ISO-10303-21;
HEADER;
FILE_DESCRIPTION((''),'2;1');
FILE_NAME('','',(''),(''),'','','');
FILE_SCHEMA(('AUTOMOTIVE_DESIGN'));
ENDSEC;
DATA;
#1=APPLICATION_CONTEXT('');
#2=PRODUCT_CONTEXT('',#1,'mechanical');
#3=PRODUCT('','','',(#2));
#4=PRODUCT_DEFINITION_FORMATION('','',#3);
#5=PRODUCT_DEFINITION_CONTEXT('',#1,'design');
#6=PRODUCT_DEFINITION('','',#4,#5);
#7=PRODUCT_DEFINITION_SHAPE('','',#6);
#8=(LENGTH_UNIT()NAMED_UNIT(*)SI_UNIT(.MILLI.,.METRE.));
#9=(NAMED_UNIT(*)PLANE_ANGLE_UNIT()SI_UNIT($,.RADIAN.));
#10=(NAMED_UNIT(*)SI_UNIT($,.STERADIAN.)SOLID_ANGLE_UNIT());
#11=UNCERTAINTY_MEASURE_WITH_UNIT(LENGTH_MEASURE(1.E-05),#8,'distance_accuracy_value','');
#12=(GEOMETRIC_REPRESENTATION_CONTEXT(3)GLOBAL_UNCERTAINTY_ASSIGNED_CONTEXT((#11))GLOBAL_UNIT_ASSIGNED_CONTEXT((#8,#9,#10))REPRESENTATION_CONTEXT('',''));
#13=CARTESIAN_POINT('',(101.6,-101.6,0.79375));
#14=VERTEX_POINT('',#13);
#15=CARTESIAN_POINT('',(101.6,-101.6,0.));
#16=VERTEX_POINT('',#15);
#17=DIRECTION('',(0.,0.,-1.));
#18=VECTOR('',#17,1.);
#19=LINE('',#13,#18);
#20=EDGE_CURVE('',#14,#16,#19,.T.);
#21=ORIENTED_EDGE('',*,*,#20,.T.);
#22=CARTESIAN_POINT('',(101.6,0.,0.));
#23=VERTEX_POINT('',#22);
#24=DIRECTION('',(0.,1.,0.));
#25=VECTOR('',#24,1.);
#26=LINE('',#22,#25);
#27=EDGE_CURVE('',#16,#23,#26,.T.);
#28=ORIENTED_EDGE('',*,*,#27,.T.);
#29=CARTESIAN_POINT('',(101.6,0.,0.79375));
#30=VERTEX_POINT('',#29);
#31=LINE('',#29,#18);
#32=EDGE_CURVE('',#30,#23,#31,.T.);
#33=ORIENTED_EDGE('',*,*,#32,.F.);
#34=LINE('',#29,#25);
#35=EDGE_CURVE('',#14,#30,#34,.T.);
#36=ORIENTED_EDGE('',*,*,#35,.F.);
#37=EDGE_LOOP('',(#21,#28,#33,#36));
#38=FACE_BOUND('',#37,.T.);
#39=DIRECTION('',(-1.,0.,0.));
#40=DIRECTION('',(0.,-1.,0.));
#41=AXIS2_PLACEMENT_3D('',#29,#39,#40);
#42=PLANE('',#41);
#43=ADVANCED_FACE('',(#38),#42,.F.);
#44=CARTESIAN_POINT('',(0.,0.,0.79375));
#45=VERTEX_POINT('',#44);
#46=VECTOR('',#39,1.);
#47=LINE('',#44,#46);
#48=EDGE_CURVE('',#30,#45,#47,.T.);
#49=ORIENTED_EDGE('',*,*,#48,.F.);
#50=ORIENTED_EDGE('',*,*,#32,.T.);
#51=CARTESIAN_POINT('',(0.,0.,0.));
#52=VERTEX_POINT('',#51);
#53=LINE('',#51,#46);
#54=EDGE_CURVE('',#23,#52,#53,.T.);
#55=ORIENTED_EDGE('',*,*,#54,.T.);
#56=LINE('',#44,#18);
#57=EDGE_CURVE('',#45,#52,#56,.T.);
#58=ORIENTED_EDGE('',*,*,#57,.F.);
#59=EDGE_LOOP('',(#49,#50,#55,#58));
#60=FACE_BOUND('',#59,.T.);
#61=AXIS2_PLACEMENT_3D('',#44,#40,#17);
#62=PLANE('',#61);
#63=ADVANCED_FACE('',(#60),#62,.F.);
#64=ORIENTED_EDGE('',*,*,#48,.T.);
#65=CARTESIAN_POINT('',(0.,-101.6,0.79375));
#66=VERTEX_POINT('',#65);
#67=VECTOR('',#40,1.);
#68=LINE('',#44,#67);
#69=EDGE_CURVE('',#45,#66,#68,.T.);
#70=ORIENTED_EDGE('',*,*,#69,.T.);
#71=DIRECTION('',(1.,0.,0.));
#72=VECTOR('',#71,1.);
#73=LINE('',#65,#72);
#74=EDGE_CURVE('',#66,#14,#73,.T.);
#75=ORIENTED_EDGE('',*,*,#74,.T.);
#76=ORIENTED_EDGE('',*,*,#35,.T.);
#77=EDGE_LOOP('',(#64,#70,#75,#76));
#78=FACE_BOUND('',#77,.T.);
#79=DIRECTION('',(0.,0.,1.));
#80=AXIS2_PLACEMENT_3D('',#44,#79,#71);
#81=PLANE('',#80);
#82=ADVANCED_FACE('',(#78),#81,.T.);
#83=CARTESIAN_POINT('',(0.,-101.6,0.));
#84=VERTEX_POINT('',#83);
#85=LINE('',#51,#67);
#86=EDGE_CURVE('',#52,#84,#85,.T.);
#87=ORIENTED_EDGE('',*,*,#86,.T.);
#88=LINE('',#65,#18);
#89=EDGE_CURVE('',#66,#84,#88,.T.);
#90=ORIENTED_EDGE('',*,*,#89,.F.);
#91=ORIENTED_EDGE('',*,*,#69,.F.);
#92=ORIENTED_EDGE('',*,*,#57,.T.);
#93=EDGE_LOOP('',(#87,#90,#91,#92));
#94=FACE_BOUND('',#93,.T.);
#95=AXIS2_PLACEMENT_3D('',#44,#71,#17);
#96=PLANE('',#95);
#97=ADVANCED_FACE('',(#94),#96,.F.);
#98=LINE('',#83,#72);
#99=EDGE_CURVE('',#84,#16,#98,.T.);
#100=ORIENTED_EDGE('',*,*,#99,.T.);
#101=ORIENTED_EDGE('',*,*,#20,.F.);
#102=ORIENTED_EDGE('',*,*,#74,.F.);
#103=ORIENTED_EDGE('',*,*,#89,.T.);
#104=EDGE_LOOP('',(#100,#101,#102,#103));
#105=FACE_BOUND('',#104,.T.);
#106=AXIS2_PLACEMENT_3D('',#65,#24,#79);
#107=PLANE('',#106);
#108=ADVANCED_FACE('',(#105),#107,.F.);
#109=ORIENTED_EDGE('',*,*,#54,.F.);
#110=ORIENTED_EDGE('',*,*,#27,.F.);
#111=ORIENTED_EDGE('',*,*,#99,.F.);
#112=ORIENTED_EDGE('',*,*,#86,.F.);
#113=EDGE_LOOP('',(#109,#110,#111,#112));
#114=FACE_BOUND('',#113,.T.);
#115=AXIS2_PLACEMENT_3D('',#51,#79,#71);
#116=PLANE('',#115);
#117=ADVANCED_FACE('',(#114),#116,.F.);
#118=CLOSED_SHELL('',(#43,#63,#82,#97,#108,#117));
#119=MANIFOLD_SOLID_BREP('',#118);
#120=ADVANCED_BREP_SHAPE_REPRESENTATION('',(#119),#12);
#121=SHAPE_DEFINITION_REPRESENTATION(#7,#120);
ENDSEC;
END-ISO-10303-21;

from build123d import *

# Parameters (mm, degrees)
SKETCH1_W    = 101.6
SKETCH1_H    = 101.6
PLAQUE_DEPTH = 0.79375


with BuildPart() as part:
    # Sketch1 → Plaque (new body)
    with BuildSketch(Plane.XY):
        with Locations((50.8, -50.8)):
            Rectangle(SKETCH1_W, SKETCH1_H)
    extrude(amount=PLAQUE_DEPTH)


solid = part.part
